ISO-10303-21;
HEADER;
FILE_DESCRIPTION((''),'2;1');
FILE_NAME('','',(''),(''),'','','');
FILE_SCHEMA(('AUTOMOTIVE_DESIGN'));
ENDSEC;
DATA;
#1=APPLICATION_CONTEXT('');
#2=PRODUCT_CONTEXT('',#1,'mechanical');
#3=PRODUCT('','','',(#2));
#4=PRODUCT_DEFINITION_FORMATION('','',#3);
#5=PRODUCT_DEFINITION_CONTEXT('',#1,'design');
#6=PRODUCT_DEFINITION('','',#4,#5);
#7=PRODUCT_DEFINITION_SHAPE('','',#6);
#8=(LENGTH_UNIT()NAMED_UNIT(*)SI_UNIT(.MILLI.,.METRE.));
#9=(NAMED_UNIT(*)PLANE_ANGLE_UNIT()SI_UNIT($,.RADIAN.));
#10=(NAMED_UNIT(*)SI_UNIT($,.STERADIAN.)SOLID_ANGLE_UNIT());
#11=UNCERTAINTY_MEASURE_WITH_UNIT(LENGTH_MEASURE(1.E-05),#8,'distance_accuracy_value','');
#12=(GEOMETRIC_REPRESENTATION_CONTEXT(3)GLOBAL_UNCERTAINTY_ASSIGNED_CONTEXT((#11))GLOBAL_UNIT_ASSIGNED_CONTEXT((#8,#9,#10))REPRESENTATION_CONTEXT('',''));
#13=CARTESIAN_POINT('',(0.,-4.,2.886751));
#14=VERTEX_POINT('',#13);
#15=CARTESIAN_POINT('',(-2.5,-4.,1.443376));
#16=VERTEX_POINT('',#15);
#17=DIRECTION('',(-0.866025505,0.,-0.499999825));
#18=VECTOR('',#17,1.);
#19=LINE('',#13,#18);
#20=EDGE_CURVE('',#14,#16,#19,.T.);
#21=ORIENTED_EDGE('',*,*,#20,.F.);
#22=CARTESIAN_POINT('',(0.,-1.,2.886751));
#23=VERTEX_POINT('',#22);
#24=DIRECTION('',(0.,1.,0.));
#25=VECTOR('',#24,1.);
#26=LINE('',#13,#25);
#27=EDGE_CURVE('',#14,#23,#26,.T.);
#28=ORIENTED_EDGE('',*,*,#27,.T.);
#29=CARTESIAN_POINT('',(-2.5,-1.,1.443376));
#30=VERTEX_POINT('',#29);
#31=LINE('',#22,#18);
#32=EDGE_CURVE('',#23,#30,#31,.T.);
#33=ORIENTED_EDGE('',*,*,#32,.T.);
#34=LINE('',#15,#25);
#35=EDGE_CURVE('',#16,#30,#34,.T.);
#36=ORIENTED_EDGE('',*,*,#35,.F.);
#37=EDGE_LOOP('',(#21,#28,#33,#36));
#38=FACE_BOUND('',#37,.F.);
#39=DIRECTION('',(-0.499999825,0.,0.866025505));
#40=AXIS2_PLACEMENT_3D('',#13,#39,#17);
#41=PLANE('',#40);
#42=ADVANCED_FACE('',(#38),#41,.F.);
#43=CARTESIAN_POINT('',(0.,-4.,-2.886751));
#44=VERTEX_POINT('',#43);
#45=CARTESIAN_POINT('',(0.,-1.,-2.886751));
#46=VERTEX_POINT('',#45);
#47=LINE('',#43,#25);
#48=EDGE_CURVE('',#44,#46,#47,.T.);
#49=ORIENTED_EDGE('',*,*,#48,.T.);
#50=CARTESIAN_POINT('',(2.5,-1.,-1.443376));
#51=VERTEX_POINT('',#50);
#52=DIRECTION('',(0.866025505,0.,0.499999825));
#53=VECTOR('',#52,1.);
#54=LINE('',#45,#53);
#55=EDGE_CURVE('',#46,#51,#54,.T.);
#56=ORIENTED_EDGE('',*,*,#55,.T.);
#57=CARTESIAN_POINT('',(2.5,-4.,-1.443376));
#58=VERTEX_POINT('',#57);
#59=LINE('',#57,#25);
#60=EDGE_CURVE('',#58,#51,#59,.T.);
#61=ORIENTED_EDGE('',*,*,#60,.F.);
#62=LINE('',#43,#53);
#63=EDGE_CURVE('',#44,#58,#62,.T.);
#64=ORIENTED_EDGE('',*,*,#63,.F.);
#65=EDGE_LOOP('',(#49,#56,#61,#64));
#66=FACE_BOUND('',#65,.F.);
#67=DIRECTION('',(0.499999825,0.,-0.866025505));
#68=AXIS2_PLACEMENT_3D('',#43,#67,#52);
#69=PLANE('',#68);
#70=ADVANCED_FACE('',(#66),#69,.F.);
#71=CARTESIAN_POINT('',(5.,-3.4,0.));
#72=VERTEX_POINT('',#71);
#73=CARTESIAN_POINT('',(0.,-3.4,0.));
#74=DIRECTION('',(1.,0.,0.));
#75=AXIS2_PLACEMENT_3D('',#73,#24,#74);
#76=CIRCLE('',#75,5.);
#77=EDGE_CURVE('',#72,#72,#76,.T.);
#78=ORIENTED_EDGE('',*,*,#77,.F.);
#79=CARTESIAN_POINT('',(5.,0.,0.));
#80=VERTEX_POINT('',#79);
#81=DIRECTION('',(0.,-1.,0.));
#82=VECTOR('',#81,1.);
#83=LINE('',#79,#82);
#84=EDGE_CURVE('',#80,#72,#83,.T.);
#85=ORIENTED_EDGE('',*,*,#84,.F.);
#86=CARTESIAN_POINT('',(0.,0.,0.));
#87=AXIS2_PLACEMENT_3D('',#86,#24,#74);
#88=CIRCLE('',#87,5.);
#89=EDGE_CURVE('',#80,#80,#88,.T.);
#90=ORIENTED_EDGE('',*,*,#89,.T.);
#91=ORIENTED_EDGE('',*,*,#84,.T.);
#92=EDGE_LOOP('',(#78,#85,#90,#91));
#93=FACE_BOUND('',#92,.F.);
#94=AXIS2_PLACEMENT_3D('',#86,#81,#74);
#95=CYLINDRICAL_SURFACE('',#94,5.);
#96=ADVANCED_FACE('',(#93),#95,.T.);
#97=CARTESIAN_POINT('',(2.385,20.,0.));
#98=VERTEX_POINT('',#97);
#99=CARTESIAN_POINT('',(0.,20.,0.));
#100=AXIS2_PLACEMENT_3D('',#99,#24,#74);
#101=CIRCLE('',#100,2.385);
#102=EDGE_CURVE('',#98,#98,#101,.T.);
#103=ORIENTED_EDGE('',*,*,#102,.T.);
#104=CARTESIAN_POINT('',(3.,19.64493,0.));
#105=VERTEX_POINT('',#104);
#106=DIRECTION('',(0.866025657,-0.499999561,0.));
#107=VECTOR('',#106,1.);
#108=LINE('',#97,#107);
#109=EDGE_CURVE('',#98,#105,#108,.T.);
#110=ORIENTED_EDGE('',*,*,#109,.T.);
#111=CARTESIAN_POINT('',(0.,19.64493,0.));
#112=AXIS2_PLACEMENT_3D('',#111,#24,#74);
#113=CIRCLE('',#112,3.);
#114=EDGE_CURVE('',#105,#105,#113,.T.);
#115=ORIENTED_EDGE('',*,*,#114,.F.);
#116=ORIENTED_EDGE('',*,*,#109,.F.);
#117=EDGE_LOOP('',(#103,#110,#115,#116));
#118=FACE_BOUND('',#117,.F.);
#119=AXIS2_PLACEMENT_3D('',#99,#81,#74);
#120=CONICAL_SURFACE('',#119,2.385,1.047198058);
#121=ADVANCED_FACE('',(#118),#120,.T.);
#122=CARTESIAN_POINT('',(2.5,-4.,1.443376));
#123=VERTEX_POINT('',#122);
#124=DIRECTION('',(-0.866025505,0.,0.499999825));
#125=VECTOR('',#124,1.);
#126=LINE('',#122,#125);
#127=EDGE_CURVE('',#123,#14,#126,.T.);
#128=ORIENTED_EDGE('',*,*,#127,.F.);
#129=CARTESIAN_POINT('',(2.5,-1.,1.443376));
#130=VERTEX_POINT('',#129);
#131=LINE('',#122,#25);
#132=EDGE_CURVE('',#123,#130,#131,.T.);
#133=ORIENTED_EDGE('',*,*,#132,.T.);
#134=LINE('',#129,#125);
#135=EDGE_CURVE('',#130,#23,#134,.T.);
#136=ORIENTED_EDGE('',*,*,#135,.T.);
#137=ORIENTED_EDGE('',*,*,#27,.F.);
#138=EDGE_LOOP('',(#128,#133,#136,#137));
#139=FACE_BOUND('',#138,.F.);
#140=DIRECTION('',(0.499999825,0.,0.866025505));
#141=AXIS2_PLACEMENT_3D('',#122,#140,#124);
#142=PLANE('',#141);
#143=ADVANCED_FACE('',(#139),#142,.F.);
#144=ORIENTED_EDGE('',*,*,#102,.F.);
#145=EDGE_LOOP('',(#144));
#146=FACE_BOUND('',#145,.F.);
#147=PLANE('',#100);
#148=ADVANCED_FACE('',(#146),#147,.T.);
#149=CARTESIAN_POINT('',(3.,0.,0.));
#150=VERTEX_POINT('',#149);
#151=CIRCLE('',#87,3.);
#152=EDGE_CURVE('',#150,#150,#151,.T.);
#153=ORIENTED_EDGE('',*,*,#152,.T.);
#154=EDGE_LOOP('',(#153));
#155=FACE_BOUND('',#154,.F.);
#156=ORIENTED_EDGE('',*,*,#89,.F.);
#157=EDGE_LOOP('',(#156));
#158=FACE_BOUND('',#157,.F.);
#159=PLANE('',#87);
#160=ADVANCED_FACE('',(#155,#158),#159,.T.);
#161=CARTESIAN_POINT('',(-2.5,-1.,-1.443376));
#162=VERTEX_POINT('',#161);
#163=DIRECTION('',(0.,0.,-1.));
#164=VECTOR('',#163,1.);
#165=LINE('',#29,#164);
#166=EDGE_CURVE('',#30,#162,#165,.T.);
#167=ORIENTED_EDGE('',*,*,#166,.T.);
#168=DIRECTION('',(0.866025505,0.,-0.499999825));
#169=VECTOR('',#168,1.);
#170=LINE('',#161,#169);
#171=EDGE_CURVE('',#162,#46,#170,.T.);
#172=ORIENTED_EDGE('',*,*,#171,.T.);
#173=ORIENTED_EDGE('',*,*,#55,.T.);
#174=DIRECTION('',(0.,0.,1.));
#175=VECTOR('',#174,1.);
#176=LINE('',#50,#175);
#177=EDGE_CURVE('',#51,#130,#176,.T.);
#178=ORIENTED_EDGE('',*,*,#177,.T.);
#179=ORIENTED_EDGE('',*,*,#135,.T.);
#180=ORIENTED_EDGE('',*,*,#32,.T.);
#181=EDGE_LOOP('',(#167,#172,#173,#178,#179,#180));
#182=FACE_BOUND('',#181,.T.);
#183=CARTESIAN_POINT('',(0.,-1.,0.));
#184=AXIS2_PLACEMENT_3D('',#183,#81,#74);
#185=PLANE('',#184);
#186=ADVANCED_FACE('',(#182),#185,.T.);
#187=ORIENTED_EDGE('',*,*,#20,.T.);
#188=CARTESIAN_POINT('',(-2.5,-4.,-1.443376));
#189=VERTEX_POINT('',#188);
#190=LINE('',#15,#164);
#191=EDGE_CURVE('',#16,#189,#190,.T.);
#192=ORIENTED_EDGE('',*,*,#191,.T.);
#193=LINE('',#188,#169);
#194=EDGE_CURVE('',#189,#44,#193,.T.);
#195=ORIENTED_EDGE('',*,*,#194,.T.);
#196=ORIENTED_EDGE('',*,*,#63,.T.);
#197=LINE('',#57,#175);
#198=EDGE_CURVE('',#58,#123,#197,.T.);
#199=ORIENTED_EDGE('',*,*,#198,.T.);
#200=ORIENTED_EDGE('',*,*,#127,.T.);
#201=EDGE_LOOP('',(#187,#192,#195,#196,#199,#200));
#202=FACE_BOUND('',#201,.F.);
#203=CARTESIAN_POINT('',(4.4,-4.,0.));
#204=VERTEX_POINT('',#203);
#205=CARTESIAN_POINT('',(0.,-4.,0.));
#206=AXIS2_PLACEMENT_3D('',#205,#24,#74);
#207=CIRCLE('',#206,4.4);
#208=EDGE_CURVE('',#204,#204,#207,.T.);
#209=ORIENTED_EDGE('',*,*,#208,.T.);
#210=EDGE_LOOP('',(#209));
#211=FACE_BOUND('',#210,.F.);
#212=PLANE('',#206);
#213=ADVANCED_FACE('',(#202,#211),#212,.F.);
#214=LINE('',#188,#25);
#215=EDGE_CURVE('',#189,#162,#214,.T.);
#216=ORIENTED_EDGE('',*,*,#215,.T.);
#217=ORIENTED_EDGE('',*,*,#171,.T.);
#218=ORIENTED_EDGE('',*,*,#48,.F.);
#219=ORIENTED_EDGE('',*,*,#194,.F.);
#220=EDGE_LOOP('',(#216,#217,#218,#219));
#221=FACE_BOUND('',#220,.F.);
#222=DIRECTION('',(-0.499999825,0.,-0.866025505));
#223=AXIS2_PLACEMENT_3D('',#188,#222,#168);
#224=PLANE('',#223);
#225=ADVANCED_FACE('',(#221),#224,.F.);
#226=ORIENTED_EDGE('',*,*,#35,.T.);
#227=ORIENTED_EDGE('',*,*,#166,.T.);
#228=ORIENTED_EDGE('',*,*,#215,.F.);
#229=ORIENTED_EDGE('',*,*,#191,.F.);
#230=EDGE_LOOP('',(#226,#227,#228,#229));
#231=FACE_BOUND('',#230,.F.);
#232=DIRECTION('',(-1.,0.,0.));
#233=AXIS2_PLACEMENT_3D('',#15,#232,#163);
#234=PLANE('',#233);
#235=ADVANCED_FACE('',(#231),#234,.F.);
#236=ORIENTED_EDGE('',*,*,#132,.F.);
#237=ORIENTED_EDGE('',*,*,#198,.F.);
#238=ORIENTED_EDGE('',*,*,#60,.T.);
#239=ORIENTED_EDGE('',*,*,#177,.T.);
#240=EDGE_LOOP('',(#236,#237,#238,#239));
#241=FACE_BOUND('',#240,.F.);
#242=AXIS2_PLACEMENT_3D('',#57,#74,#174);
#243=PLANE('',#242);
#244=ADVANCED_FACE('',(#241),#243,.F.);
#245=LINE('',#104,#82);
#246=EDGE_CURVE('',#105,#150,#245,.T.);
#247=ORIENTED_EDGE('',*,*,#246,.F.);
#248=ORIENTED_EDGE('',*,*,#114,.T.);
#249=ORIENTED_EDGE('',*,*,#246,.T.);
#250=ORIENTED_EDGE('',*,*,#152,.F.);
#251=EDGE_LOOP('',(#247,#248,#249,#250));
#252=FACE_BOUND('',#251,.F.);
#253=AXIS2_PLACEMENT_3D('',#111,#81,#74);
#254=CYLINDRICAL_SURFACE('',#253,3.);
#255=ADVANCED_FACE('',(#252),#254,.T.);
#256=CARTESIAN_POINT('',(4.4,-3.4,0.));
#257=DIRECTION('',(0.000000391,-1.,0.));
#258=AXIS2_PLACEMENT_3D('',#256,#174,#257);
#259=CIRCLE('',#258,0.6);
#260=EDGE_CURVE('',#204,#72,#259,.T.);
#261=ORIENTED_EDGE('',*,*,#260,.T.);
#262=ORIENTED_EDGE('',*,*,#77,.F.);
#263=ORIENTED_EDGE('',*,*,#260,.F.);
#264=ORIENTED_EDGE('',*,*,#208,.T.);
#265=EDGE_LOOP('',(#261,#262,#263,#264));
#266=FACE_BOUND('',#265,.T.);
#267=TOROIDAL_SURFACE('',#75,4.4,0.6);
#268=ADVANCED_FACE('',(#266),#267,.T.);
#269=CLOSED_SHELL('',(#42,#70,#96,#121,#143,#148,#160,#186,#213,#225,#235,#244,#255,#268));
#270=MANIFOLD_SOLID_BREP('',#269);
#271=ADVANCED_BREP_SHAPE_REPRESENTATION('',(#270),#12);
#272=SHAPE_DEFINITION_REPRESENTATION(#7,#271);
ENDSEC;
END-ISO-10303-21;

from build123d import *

# Parameters (mm, degrees)
POCKET_DEPTH = 3


with BuildPart() as part:
    # Sketch → Revolution (revolve)
    with BuildSketch(Plane.XY):
        with BuildLine():
            Line((3, 0), (5, 0))
            Line((5, 0), (5, -3.4))
            ThreePointArc((4.4, -4), (4.824264, -3.824264), (5, -3.4))
            Line((4.4, -4), (0, -4))
            Line((0, -4), (0, 20))
            Line((0, 20), (2.385, 20))
            Line((2.385, 20), (3, 19.64493))
            Line((3, 19.64493), (3, 0))
        make_face()
    revolve(axis=Axis((0, 0, 0), (0, 1, 0)))

    # Sketch001 → Pocket (cut)
    with BuildSketch(Plane.XZ.offset(4)):
        Polygon((-2.5, 1.443376), (-2.5, -1.443376), (0, -2.886751), (2.5, -1.443376), (2.5, 1.443376), (0, 2.886751), align=None)
    extrude(amount=-POCKET_DEPTH, mode=Mode.SUBTRACT)


solid = part.part
